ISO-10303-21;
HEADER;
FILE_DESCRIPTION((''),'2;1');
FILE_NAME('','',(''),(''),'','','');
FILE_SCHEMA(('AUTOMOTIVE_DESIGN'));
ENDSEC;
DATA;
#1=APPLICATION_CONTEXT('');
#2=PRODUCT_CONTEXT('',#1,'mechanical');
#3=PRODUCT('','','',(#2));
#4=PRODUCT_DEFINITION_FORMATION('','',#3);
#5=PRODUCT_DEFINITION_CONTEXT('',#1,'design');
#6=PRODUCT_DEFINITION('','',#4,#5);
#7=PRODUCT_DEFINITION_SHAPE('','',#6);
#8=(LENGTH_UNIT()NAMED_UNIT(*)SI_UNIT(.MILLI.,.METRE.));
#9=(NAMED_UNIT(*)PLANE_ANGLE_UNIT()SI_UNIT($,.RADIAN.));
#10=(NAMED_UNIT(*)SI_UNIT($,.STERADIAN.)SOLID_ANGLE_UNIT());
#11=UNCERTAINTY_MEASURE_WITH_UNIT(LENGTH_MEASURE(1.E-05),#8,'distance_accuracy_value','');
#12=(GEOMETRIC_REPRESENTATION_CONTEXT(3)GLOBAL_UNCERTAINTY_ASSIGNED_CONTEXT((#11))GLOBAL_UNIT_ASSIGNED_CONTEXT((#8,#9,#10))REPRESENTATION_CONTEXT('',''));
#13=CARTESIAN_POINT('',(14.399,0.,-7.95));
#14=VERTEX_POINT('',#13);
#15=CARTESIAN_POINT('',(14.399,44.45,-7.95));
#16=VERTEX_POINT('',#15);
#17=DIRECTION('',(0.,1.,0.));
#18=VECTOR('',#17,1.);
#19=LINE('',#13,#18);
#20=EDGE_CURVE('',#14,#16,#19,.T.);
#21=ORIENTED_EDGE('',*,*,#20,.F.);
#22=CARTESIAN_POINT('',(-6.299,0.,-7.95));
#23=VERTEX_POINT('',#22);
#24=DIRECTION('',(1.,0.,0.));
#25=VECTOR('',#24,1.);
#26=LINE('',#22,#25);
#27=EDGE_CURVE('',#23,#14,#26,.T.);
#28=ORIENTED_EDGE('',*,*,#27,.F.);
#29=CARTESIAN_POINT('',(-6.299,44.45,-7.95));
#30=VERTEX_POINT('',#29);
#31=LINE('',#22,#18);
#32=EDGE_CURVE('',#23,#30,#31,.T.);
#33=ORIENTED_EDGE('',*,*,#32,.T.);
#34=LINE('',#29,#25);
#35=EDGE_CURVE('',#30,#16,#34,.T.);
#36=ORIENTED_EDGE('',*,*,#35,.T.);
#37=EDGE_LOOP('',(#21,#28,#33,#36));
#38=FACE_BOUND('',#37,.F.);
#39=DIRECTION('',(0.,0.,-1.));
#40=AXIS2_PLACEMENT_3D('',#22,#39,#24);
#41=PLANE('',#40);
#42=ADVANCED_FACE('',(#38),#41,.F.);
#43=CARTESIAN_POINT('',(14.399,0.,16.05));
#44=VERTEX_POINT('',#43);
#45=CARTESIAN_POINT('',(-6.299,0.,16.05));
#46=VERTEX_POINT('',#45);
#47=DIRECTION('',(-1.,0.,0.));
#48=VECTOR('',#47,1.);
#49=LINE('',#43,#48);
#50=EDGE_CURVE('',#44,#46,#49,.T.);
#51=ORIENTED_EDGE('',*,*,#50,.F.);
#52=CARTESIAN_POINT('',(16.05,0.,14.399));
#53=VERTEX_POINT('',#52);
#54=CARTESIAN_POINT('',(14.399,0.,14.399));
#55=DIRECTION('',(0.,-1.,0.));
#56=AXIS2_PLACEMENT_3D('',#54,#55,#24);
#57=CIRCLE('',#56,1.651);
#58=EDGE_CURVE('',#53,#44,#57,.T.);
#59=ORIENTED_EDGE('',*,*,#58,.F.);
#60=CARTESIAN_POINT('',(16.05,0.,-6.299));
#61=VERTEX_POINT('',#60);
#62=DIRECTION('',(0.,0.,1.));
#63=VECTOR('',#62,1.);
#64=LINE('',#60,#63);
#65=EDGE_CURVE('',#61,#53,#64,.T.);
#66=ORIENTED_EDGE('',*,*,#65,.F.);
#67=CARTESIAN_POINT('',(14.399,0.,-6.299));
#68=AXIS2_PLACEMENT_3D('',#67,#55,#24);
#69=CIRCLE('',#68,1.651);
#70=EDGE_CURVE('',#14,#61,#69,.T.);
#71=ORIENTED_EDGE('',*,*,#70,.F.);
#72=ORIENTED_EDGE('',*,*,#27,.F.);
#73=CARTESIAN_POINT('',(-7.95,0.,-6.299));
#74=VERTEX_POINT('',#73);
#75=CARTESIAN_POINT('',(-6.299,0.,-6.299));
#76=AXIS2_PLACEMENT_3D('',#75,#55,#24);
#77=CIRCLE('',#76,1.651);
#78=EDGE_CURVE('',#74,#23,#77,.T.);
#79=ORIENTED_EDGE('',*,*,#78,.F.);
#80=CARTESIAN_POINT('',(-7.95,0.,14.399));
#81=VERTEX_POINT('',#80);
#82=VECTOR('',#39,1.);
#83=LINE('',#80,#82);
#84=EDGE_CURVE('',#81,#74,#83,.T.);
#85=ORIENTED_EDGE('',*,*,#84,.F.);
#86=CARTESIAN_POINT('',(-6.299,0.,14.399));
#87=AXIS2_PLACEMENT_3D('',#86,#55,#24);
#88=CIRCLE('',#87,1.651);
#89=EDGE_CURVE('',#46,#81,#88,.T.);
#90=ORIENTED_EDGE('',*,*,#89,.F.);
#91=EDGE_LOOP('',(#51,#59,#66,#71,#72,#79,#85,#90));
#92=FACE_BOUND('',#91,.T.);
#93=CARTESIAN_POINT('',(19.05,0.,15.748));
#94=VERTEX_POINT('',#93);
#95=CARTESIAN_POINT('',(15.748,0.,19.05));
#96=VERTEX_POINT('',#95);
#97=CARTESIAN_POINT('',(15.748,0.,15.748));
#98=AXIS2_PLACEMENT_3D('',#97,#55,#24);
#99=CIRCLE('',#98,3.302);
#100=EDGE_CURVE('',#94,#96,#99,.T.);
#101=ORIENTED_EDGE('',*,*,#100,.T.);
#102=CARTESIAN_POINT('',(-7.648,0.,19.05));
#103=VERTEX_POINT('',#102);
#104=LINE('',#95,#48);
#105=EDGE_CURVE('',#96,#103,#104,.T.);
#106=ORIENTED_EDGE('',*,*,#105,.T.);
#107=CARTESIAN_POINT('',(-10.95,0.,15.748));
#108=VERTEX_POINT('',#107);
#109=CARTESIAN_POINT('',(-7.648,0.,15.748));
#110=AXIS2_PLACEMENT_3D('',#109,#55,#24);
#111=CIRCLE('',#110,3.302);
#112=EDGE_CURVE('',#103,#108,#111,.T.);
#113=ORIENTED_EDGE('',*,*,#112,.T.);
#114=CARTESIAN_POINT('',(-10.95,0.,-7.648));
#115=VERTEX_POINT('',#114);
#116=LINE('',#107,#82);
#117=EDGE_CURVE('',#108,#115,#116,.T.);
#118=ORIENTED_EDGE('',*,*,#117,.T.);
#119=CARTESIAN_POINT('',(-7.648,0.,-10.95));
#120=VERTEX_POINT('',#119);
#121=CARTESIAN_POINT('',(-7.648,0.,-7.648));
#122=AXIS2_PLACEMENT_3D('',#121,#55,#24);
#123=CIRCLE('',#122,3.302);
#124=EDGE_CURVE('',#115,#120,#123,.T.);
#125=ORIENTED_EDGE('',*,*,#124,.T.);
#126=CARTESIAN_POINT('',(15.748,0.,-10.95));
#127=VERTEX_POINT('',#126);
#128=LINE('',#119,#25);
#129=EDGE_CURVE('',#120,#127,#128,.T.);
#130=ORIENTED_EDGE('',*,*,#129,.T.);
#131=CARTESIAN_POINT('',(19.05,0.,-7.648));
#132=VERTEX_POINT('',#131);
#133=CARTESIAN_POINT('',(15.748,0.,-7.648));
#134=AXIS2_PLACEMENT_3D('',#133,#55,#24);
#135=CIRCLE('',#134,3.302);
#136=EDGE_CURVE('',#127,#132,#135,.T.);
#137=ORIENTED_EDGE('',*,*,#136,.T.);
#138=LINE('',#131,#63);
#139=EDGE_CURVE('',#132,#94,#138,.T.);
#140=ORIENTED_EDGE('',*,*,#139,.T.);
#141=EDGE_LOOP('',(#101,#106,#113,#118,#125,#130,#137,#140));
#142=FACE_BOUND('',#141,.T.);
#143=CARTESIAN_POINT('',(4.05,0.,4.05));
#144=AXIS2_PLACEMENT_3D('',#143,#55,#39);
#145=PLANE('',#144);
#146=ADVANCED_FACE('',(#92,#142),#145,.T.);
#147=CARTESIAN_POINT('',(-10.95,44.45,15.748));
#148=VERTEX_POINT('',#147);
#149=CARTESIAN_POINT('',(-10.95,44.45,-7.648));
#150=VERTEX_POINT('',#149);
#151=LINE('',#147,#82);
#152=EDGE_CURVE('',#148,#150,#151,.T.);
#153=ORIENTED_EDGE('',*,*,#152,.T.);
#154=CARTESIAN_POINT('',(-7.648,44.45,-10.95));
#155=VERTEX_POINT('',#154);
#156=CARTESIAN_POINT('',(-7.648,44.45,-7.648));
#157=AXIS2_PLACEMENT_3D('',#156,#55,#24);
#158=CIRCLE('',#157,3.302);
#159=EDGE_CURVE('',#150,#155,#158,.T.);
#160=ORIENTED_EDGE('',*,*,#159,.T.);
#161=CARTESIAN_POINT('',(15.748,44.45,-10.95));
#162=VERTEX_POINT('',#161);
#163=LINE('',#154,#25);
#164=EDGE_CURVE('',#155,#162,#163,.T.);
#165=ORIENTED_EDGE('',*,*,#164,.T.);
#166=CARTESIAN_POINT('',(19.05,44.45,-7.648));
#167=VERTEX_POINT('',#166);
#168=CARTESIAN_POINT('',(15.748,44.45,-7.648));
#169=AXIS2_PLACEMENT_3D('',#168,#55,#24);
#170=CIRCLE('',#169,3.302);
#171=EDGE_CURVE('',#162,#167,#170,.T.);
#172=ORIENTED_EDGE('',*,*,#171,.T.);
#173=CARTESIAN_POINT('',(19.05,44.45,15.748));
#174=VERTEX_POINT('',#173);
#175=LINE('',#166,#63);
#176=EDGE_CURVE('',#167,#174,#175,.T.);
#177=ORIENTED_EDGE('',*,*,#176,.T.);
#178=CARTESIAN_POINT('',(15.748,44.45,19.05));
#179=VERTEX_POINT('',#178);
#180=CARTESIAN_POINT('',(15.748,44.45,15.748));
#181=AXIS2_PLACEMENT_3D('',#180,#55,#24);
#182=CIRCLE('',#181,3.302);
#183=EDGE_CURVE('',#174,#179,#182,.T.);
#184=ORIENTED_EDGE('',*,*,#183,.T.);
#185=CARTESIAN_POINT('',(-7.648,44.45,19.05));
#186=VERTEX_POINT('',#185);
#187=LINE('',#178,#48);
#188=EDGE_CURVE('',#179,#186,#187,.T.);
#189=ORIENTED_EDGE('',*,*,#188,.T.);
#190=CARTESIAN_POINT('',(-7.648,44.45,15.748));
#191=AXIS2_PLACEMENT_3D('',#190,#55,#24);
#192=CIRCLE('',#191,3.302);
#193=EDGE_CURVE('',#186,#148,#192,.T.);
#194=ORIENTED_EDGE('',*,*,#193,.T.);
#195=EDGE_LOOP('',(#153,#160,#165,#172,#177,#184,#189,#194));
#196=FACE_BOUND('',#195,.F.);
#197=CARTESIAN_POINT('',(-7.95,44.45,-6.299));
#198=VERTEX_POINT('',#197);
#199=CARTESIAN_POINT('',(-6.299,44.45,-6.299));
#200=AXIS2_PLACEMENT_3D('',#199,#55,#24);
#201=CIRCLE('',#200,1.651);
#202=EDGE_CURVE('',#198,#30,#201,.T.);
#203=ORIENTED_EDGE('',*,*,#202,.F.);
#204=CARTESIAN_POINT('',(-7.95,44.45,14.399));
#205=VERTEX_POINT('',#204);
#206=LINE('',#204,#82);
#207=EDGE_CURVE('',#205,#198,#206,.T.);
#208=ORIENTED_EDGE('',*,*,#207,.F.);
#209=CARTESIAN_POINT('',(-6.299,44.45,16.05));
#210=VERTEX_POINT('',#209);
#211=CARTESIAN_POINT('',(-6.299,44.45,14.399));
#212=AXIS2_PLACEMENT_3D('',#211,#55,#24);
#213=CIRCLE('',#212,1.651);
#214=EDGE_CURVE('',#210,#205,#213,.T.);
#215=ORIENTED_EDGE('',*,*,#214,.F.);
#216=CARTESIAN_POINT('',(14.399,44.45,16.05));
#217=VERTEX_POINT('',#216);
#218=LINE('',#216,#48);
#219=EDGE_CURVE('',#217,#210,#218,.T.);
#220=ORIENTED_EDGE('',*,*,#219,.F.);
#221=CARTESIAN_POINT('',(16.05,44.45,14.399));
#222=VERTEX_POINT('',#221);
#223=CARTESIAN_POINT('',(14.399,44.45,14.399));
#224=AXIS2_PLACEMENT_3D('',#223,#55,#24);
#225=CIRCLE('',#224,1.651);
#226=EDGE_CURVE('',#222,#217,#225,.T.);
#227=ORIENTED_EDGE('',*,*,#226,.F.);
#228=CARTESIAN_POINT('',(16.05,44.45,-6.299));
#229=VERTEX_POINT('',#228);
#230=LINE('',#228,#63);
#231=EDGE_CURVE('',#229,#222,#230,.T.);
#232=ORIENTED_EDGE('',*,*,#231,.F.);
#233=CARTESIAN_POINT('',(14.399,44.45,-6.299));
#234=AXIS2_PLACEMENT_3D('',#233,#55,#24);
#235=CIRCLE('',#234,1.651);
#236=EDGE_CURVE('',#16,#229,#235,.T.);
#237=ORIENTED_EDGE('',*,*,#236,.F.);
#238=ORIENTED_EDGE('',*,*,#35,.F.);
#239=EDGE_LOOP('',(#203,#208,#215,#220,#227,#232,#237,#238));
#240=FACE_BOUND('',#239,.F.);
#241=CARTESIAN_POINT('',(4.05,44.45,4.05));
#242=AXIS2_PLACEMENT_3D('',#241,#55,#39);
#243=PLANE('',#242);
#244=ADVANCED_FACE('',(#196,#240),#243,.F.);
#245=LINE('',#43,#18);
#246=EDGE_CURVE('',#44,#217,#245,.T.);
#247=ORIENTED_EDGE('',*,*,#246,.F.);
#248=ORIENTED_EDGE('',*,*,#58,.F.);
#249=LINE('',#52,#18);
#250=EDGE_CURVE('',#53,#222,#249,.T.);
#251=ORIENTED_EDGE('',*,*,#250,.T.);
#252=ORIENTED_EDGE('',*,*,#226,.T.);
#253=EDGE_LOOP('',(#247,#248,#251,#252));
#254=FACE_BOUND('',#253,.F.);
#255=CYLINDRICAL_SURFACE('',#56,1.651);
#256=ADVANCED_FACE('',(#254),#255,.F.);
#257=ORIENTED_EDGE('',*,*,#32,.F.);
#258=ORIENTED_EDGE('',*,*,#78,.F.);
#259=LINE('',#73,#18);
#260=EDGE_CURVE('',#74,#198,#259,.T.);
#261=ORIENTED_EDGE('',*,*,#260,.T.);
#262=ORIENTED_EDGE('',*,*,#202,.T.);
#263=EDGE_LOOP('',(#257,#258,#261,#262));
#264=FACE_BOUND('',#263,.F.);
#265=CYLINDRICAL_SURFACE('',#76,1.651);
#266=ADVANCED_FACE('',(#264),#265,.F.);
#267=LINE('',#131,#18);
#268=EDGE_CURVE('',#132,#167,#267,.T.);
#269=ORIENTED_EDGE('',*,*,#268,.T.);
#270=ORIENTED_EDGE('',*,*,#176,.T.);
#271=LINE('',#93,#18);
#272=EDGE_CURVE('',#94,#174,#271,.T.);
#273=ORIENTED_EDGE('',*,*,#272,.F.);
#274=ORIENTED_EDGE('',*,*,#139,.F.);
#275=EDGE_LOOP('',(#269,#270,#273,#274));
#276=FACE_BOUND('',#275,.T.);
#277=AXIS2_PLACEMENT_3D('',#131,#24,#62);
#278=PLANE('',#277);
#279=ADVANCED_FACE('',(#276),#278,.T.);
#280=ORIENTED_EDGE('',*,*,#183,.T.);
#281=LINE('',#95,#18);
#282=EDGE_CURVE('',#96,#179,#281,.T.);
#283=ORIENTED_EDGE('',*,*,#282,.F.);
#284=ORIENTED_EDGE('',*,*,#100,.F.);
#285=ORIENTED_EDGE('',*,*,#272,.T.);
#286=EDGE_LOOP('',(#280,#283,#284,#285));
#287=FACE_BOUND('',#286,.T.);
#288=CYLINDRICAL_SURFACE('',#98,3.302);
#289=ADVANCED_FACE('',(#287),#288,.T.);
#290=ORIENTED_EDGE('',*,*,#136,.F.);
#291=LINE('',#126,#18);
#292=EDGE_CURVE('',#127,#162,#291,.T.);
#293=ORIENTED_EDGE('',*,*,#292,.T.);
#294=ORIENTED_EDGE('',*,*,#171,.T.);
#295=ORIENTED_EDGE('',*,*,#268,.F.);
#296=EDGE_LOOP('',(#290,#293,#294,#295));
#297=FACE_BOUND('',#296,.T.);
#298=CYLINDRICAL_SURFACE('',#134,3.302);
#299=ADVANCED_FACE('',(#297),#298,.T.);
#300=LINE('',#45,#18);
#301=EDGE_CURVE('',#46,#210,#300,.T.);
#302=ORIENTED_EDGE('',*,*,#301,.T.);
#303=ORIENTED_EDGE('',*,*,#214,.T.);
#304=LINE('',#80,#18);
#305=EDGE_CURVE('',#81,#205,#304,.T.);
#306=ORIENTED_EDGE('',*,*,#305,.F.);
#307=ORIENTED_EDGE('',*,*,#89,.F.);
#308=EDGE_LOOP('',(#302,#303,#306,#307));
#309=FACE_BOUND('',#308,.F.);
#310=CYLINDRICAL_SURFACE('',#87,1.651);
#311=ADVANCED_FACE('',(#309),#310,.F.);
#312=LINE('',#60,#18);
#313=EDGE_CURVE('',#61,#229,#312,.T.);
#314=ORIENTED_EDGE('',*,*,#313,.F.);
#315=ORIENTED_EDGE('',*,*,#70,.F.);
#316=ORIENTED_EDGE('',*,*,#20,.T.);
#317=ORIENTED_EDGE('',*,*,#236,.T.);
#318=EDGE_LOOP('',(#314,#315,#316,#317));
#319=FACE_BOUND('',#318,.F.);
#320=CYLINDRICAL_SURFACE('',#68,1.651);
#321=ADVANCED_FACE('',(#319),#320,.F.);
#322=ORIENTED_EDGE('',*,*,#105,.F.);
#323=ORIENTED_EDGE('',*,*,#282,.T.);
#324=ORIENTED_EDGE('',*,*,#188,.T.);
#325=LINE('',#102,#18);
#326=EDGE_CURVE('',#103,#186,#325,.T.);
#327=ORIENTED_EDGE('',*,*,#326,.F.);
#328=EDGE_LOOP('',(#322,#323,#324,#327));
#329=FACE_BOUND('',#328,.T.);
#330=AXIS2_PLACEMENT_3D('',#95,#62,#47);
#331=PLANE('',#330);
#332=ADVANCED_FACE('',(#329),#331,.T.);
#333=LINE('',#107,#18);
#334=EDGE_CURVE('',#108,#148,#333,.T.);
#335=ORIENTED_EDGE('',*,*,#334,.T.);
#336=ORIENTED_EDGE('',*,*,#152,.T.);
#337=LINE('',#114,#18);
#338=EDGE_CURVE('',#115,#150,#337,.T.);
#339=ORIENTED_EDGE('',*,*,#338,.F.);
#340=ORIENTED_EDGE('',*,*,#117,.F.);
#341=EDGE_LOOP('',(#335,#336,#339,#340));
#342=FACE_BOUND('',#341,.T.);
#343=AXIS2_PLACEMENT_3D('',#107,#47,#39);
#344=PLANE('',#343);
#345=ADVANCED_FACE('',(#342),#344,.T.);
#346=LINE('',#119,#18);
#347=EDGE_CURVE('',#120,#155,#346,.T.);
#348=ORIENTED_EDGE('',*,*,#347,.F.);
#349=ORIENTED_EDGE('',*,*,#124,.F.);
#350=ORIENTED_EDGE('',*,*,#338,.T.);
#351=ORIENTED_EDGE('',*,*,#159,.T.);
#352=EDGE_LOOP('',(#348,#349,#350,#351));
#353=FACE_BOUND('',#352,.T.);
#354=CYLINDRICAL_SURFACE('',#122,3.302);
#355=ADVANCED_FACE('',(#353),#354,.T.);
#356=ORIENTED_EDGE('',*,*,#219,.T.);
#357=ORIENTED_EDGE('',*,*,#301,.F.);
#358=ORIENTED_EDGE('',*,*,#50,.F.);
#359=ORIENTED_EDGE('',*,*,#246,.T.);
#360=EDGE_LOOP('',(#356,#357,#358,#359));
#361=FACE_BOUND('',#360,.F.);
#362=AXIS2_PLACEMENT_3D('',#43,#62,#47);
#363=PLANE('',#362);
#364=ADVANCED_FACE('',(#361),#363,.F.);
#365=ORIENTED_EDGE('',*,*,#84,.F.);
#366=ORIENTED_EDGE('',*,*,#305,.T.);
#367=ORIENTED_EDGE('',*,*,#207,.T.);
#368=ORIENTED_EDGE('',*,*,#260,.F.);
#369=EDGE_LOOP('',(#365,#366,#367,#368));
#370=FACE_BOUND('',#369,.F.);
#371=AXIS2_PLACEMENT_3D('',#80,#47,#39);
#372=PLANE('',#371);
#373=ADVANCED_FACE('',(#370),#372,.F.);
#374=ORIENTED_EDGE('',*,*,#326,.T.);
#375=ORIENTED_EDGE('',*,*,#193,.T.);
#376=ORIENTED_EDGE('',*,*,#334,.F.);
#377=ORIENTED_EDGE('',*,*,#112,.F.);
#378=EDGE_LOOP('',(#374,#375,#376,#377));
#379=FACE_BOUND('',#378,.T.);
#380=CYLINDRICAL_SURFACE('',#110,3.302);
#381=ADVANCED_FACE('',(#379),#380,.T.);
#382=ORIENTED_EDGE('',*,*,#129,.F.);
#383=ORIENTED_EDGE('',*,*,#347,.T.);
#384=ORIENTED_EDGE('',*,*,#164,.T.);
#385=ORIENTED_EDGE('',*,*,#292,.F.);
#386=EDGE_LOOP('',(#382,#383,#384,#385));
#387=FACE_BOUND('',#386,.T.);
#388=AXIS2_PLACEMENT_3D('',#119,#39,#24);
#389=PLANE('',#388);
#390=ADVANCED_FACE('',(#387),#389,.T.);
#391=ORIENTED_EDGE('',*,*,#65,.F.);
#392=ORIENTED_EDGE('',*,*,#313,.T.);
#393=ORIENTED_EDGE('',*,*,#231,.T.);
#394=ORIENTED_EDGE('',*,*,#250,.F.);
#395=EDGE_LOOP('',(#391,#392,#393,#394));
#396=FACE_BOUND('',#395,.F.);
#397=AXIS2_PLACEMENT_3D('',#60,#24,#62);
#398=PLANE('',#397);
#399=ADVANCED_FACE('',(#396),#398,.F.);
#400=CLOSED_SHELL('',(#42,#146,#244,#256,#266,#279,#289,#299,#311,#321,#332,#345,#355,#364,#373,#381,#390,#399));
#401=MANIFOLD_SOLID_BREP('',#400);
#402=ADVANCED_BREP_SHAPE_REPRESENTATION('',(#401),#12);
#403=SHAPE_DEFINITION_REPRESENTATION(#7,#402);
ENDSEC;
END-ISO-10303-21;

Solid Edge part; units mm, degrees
sketch "Sketch1" plane through (0, 0, 0) normal (0, -1, 0) x (1, 0, 0)
  line L0 (-7.95, 14.399) -> (-7.95, -6.299)
  arc A0 (-7.95, -6.299) -> (-6.299, -7.95) centre (-6.299, -6.299) ccw
  line L1 (-6.299, -7.95) -> (14.399, -7.95)
  arc A1 (14.399, -7.95) -> (16.05, -6.299) centre (14.399, -6.299) ccw
  line L2 (16.05, -6.299) -> (16.05, 14.399)
  arc A2 (16.05, 14.399) -> (14.399, 16.05) centre (14.399, 14.399) ccw
  line L3 (14.399, 16.05) -> (-6.299, 16.05)
  arc A3 (-6.299, 16.05) -> (-7.95, 14.399) centre (-6.299, 14.399) ccw
  arc A4 (-10.95, -7.648) -> (-7.648, -10.95) centre (-7.648, -7.648) ccw
  line L4 (-7.648, -10.95) -> (15.748, -10.95)
  arc A5 (15.748, -10.95) -> (19.05, -7.648) centre (15.748, -7.648) ccw
  line L5 (19.05, -7.648) -> (19.05, 15.748)
  arc A6 (19.05, 15.748) -> (15.748, 19.05) centre (15.748, 15.748) ccw
  line L6 (15.748, 19.05) -> (-7.648, 19.05)
  arc A7 (-7.648, 19.05) -> (-10.95, 15.748) centre (-7.648, 15.748) ccw
  line L7 (-10.95, 15.748) -> (-10.95, -7.648)
  dimension "D1" = 3.302
  dimension "D2" = 1.651
  dimension "D3" = 30
  dimension "D4" = 30
  dimension "D5" = 3
  dimension "D6" = 3
  dimension "D7" = 3
  dimension "D8" = 3
extrude "Protrusion1" add sketch "Sketch1" against normal blind 44.45
properties material "Steel"
